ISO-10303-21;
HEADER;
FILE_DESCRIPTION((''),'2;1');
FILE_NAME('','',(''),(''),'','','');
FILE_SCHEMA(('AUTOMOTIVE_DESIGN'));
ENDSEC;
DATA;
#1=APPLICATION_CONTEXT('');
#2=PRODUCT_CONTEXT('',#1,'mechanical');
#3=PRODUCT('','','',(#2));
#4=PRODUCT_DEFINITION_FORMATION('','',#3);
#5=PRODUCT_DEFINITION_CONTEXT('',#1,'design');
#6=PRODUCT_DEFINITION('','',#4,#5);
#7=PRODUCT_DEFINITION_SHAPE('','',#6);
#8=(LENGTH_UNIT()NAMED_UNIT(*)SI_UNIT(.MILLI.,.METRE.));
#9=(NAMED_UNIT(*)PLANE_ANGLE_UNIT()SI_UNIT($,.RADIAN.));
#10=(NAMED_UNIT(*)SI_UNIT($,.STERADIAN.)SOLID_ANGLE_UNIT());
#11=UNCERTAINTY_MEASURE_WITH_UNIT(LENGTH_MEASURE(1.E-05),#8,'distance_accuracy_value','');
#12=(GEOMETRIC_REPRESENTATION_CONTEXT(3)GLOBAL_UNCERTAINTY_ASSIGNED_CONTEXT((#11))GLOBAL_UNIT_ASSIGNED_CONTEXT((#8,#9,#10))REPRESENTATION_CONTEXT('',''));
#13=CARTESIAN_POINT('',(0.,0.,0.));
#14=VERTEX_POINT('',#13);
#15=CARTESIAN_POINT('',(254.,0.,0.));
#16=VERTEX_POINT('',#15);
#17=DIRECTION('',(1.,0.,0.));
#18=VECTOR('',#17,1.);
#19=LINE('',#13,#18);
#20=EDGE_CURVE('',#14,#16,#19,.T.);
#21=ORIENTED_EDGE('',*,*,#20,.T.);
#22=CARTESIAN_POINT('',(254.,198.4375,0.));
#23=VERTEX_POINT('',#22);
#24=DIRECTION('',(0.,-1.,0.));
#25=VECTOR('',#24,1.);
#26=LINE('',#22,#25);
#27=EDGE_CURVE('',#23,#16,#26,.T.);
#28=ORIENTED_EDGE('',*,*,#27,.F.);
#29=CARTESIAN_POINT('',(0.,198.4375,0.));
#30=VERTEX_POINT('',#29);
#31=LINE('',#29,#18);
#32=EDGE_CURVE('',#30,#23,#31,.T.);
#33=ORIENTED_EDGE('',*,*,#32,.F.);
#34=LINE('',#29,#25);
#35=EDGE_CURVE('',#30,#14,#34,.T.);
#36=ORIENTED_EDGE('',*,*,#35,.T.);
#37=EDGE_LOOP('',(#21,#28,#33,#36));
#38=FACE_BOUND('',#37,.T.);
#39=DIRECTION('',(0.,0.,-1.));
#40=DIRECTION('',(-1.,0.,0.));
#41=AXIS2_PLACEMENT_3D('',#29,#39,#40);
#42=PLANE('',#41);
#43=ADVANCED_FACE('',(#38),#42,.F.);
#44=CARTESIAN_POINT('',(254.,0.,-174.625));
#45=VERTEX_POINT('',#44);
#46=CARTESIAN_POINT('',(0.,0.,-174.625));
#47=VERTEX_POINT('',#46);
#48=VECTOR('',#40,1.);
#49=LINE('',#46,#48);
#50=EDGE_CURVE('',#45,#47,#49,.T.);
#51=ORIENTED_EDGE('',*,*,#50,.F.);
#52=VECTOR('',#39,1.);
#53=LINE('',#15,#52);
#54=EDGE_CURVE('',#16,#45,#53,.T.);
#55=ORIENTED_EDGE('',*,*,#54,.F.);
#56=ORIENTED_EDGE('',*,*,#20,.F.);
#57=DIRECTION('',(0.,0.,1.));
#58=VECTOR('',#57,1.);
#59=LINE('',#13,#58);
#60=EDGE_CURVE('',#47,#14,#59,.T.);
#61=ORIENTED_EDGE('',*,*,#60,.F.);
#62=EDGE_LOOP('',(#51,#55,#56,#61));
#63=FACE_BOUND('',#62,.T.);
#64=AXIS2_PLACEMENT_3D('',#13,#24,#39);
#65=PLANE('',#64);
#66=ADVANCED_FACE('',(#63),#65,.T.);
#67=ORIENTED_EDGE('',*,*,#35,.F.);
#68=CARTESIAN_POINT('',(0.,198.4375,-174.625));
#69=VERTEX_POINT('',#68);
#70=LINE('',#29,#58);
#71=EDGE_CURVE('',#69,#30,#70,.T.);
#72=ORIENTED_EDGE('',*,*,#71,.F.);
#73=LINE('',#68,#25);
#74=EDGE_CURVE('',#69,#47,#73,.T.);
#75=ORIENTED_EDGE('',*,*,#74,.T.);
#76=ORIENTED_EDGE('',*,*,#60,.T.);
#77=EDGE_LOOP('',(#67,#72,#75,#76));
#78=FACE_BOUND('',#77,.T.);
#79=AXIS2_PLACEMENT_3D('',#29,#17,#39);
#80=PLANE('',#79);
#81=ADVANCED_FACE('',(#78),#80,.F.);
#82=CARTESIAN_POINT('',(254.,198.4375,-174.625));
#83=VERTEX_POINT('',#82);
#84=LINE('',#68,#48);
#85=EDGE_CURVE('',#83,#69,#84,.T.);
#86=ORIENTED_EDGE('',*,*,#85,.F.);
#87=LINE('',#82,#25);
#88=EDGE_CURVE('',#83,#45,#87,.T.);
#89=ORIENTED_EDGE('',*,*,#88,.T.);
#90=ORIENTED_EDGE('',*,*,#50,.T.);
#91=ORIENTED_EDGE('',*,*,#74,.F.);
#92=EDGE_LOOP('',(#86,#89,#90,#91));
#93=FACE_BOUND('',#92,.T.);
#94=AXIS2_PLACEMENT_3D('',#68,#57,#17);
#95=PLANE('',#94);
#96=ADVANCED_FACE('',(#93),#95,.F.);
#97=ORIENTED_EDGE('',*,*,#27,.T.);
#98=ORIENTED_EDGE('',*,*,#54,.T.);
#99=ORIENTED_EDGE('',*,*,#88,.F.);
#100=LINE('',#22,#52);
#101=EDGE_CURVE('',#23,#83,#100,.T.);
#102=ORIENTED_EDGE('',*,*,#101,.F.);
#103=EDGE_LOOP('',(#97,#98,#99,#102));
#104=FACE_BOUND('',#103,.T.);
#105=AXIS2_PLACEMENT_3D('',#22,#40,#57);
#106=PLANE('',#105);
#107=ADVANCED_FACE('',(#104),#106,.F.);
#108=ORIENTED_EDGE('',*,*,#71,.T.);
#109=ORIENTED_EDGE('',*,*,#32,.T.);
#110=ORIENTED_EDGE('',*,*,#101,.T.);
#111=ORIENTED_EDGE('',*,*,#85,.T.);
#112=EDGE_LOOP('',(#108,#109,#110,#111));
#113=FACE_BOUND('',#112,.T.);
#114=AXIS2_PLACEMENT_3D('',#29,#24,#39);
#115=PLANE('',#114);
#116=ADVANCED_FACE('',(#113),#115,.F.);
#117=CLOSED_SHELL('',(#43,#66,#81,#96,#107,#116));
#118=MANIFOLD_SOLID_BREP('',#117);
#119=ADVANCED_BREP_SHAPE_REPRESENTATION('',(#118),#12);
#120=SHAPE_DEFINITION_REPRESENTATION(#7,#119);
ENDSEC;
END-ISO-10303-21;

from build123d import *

# Parameters (mm, degrees)
SKETCH1_W           = 254
SKETCH1_H           = 174.625
BOSS_EXTRUDE1_DEPTH = 198.4375


with BuildPart() as part:
    # Sketch1 → Boss-Extrude1 (new body)
    with BuildSketch(Plane(origin=(0, 0, 0), x_dir=(1, 0, 0), z_dir=(0, 1, 0))):
        with Locations((127, 87.3125)):
            Rectangle(SKETCH1_W, SKETCH1_H)
    extrude(amount=BOSS_EXTRUDE1_DEPTH)


solid = part.part
